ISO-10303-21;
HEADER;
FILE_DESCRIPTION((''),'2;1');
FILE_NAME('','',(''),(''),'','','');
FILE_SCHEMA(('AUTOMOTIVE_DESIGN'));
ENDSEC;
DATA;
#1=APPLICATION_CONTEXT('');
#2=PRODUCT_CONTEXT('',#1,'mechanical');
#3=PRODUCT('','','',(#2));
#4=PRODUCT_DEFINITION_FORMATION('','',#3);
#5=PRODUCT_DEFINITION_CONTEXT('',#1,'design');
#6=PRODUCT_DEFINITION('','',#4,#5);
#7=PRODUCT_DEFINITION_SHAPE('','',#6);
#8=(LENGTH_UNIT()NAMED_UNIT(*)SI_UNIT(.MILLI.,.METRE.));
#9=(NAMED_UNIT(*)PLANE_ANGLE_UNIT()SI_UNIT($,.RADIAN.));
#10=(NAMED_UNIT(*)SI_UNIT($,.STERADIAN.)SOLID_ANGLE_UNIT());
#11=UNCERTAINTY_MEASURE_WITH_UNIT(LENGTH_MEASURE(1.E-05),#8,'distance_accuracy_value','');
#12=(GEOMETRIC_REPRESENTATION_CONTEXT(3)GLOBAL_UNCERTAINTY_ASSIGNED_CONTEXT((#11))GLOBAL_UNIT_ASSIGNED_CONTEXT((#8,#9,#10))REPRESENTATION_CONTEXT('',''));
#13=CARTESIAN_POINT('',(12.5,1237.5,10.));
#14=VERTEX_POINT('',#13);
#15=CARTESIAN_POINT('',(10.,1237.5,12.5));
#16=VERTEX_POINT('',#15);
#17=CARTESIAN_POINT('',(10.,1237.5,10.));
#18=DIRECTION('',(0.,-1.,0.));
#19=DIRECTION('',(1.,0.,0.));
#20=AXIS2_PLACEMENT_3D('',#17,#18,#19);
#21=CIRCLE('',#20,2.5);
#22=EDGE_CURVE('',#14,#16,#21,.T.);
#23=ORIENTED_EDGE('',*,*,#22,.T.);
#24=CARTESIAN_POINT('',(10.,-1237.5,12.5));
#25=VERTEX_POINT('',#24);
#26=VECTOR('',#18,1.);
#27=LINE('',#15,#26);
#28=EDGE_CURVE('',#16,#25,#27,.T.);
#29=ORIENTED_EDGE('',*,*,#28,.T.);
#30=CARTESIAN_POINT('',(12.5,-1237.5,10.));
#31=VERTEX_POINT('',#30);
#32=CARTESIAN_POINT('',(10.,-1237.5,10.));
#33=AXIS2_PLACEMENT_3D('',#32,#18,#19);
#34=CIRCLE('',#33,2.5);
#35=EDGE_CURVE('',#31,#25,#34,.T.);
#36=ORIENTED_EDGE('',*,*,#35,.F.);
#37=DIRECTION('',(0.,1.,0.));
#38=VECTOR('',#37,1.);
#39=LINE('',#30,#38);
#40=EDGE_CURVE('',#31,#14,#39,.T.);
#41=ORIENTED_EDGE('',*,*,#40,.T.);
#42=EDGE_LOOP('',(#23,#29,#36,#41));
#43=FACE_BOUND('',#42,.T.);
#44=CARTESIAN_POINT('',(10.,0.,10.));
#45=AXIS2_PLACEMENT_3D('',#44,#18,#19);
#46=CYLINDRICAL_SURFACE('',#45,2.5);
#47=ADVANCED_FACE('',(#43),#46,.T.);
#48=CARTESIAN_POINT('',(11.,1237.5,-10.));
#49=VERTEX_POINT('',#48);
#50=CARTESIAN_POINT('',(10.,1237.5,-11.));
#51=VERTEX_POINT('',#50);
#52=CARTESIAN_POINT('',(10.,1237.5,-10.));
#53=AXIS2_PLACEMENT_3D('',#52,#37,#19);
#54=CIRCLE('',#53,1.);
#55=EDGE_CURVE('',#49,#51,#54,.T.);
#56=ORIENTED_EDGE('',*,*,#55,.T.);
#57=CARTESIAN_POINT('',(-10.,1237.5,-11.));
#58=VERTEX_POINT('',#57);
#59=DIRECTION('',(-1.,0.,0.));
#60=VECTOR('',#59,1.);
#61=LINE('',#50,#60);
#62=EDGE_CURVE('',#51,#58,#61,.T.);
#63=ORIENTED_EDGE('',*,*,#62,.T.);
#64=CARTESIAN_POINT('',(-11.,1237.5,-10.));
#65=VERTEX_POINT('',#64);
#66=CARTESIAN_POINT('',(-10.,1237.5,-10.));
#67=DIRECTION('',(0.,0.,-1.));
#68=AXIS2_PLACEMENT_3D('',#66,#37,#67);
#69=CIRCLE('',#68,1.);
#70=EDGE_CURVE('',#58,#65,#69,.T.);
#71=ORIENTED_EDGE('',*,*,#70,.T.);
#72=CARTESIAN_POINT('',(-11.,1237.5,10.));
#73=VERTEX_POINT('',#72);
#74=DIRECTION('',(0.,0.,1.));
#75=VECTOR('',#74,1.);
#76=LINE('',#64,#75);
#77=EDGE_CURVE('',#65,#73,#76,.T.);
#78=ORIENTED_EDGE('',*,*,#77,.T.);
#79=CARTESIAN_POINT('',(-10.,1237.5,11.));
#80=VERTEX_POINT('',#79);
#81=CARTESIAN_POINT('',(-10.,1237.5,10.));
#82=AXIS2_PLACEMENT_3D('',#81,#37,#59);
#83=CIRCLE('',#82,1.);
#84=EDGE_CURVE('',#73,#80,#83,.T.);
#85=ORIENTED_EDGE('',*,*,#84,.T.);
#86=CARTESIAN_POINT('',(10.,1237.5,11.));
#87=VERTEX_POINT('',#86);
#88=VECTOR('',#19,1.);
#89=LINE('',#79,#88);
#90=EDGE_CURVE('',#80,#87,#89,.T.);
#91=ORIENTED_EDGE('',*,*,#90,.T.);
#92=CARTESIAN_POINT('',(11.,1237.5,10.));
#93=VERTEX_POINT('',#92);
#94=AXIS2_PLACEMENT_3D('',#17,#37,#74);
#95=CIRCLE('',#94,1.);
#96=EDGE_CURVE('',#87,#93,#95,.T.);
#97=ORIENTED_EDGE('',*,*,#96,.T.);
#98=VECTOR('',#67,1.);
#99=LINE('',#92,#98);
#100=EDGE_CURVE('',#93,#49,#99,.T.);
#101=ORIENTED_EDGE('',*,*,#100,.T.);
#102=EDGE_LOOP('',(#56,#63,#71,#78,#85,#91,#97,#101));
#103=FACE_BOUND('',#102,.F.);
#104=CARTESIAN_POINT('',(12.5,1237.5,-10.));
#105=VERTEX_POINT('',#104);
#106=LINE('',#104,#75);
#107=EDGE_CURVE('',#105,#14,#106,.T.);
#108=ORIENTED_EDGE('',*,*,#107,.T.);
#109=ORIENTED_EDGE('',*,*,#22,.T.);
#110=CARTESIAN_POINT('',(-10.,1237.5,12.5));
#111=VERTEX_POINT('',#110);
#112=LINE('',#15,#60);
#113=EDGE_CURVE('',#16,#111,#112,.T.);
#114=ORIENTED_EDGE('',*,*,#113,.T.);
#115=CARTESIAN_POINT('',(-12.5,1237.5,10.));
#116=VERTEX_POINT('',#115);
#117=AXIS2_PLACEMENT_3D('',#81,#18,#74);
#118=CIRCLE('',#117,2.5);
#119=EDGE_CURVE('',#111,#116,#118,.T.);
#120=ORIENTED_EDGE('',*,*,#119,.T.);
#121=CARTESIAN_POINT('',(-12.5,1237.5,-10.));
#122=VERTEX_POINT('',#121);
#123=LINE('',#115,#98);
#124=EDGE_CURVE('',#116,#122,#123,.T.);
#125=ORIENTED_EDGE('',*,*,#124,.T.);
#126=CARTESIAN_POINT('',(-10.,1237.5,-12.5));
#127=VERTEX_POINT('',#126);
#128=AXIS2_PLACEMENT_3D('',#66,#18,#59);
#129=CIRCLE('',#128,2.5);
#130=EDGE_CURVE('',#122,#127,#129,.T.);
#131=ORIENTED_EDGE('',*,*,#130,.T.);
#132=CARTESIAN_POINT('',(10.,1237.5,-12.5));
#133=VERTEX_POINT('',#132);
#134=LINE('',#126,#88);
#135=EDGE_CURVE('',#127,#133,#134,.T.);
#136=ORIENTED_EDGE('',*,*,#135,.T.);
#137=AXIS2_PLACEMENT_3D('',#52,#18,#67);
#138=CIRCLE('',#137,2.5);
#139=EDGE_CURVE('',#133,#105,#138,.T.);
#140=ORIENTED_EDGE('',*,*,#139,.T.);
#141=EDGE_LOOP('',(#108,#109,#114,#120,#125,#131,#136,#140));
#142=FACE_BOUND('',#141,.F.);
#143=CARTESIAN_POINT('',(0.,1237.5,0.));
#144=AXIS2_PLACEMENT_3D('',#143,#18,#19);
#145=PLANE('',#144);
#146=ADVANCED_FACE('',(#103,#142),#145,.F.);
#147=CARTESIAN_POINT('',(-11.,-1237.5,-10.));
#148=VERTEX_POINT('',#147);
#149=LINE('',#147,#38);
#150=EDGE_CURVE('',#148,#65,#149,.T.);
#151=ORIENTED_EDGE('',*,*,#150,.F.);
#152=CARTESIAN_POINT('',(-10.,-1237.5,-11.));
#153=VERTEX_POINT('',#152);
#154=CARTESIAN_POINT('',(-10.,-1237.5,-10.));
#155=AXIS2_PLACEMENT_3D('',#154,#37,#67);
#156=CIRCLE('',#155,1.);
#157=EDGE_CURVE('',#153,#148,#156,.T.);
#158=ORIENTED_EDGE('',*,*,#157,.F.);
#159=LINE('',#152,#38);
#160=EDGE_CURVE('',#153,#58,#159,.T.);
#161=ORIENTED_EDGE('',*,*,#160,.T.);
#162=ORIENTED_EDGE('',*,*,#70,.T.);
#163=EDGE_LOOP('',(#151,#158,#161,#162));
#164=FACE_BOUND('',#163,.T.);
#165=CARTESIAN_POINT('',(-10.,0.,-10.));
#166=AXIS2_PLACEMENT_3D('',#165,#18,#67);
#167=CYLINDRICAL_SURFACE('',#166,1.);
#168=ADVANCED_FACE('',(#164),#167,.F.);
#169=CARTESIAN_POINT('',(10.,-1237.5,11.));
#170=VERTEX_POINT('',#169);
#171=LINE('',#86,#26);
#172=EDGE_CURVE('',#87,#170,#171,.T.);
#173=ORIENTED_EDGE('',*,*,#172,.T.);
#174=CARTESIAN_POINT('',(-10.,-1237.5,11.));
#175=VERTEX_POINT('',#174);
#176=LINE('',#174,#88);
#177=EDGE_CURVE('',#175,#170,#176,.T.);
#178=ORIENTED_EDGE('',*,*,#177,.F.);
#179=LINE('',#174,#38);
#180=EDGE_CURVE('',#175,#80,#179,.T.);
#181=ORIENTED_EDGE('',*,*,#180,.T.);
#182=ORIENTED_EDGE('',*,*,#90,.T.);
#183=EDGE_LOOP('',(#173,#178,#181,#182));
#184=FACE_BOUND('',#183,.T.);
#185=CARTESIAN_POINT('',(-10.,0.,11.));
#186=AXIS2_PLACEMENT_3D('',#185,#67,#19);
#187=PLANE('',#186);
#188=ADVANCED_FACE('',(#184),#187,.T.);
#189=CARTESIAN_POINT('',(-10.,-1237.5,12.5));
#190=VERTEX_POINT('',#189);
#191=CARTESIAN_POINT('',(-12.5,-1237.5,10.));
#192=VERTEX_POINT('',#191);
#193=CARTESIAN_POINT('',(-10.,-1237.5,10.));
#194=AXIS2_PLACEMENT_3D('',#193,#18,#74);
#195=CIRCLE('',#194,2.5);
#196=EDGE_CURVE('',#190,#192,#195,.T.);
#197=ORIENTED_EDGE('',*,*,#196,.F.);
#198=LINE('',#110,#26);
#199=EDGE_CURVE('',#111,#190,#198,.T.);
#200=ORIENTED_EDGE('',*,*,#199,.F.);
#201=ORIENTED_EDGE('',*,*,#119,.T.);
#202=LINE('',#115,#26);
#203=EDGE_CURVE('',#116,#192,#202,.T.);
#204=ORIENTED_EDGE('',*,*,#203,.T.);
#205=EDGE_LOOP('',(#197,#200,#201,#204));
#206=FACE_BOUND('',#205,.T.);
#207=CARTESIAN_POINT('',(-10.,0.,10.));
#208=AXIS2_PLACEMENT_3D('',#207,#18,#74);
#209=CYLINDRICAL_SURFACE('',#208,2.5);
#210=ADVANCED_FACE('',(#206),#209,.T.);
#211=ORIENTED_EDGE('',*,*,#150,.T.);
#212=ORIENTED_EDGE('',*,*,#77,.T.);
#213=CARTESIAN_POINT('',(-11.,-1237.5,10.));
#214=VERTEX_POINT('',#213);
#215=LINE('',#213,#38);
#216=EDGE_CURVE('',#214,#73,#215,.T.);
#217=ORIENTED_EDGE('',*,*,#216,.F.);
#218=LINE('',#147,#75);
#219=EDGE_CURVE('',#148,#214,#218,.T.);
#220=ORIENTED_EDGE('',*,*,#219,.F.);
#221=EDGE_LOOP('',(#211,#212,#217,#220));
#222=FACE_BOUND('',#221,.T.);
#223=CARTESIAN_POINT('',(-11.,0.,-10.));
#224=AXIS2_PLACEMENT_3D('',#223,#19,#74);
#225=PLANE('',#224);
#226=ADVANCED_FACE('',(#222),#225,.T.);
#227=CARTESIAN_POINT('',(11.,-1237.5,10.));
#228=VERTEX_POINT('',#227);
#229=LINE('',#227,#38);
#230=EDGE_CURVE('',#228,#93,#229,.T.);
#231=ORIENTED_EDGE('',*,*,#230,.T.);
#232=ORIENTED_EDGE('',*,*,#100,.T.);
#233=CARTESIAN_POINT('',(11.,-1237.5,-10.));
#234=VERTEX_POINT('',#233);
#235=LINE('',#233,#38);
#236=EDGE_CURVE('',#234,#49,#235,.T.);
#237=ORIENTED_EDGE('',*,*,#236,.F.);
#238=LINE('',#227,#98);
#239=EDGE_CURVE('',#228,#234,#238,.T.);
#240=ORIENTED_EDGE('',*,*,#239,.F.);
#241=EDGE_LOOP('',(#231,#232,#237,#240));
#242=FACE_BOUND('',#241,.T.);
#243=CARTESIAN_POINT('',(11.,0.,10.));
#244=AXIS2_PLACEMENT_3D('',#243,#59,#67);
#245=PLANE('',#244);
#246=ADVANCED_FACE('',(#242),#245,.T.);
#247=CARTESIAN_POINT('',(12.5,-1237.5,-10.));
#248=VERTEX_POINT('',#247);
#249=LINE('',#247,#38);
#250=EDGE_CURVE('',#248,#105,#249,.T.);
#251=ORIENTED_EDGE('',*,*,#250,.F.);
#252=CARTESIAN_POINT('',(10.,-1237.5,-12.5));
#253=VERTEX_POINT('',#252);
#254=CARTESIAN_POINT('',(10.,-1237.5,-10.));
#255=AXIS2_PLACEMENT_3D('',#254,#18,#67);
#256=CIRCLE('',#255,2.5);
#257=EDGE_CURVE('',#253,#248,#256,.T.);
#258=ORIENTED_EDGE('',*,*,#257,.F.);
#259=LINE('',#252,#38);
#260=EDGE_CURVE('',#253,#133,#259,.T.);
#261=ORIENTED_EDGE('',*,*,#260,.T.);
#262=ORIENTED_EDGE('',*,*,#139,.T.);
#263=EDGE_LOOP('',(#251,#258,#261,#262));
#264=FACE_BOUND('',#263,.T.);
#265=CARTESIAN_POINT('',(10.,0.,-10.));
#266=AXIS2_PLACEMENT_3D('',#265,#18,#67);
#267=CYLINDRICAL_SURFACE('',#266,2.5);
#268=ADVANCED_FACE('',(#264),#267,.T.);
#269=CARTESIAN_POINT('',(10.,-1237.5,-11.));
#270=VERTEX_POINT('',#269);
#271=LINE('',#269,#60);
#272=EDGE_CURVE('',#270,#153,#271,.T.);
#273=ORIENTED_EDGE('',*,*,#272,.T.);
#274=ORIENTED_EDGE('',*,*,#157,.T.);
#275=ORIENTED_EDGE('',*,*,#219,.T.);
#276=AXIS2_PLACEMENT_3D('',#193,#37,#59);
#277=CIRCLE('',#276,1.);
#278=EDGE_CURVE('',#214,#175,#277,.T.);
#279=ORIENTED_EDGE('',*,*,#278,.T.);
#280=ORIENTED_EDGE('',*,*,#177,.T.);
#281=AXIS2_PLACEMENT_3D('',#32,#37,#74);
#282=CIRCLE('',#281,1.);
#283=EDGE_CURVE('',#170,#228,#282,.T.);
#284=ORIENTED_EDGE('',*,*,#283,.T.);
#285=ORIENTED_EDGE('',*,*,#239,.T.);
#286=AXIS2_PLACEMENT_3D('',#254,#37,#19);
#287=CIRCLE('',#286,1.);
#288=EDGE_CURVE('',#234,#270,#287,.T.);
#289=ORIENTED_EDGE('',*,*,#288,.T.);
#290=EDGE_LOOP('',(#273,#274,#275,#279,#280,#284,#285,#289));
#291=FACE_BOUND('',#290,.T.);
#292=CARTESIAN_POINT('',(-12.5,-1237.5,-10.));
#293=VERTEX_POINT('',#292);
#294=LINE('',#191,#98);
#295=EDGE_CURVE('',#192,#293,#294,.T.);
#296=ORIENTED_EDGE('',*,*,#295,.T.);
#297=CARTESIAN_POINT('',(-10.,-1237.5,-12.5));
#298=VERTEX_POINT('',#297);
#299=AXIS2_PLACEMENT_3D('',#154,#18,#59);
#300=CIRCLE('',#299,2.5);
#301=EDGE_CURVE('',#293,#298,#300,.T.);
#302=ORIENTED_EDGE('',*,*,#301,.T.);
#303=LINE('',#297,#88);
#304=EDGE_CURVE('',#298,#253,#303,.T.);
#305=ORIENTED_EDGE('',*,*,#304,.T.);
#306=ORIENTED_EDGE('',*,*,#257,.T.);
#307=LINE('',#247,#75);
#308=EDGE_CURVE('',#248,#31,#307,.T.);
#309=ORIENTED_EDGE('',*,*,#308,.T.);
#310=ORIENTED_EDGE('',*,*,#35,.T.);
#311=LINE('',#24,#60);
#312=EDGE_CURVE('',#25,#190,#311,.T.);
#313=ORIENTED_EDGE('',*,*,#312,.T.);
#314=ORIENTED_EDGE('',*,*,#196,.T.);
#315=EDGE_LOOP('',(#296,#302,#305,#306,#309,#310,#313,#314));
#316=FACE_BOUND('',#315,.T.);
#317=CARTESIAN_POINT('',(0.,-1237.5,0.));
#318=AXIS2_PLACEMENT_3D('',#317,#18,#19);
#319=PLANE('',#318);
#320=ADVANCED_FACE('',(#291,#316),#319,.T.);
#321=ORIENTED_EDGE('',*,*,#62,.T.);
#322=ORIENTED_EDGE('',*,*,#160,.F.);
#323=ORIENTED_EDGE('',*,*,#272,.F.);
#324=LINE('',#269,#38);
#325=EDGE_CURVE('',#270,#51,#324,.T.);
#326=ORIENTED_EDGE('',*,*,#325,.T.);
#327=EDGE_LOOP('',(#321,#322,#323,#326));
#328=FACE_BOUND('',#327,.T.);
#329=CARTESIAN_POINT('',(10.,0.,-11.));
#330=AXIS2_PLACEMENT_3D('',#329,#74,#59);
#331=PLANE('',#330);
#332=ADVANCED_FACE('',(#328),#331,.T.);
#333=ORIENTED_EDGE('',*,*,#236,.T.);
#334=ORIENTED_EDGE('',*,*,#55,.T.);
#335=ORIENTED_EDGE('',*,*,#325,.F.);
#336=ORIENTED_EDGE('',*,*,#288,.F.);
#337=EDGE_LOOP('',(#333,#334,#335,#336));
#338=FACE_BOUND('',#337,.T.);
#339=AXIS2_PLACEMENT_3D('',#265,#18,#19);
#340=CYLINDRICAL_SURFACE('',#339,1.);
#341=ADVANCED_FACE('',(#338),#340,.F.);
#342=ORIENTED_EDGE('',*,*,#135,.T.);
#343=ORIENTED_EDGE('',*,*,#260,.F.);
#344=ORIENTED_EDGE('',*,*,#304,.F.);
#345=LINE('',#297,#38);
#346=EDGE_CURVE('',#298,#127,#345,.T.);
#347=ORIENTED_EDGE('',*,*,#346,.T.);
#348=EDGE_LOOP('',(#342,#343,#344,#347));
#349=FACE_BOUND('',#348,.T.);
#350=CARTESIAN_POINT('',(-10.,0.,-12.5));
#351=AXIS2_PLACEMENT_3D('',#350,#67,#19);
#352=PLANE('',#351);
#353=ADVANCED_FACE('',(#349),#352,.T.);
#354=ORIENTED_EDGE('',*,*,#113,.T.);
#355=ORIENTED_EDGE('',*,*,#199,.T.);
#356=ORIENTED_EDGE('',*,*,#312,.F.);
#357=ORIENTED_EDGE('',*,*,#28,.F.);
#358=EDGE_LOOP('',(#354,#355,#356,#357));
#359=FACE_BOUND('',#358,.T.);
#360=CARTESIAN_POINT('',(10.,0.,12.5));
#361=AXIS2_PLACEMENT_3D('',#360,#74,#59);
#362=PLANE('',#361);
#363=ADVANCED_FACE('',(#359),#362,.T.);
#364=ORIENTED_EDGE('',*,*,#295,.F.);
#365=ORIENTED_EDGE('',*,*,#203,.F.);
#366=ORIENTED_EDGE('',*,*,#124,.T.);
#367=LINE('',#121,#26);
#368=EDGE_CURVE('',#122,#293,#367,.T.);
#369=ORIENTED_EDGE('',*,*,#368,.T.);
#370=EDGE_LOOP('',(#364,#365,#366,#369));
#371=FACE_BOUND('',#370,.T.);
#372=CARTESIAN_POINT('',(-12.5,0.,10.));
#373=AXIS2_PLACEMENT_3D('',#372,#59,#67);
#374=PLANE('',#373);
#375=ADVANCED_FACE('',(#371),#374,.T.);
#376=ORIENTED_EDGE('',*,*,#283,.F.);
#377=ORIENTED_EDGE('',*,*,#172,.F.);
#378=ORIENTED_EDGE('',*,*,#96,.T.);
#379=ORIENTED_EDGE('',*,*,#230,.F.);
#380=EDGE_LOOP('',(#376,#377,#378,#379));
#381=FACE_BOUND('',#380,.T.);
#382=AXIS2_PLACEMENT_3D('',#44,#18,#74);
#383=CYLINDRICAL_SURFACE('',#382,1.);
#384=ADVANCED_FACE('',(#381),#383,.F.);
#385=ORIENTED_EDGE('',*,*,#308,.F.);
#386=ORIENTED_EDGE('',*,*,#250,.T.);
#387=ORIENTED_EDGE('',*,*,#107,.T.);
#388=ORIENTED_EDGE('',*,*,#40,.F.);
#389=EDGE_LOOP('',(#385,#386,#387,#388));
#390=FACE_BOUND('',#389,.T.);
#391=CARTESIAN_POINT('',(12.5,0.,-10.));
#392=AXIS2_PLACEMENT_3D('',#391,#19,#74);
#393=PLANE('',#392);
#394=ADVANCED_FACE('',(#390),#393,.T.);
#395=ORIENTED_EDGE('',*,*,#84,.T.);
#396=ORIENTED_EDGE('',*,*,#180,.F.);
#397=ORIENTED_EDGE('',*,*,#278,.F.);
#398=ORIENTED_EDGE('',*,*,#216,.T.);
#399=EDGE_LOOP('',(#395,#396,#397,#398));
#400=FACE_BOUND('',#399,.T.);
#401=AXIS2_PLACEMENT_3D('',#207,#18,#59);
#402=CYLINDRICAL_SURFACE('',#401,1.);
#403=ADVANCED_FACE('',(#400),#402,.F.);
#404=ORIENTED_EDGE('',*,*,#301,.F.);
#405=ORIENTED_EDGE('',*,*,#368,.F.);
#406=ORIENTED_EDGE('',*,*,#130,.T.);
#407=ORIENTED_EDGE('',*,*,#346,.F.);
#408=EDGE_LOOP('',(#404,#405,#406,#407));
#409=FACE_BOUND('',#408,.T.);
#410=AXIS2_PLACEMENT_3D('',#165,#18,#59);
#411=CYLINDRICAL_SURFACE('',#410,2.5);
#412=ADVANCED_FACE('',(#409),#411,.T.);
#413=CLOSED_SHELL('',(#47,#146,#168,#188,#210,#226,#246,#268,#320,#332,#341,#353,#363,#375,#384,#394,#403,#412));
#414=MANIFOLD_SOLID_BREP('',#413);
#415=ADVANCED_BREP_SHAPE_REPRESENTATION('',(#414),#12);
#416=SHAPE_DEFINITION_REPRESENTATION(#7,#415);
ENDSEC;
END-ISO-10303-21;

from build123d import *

# Parameters (mm, degrees)
F1_DEPTH = 1237.5


with BuildPart() as f1:
    # F0 (on Front) → F1 (new body, symmetric)
    with BuildSketch(Plane.XZ):
        with BuildLine():
            ThreePointArc((12.5, 10), (11.767766953, 11.767766953), (10, 12.5))
            Line((10, 12.5), (-10, 12.5))
            ThreePointArc((-10, 12.5), (-11.767766953, 11.767766953), (-12.5, 10))
            Line((-12.5, 10), (-12.5, -10))
            ThreePointArc((-12.5, -10), (-11.767766953, -11.767766953), (-10, -12.5))
            Line((-10, -12.5), (10, -12.5))
            ThreePointArc((10, -12.5), (11.767766953, -11.767766953), (12.5, -10))
            Line((12.5, -10), (12.5, 10))
        make_face()
        with BuildLine():
            ThreePointArc((10, 11), (10.7071067812, 10.7071067812), (11, 10))
            Line((11, 10), (11, -10))
            ThreePointArc((11, -10), (10.7071067812, -10.7071067812), (10, -11))
            Line((10, -11), (-10, -11))
            ThreePointArc((-10, -11), (-10.7071067812, -10.7071067812), (-11, -10))
            Line((-11, -10), (-11, 10))
            ThreePointArc((-11, 10), (-10.7071067812, 10.7071067812), (-10, 11))
            Line((-10, 11), (10, 11))
        make_face(mode=Mode.SUBTRACT)
    extrude(amount=F1_DEPTH, both=True)


solid = f1.part
